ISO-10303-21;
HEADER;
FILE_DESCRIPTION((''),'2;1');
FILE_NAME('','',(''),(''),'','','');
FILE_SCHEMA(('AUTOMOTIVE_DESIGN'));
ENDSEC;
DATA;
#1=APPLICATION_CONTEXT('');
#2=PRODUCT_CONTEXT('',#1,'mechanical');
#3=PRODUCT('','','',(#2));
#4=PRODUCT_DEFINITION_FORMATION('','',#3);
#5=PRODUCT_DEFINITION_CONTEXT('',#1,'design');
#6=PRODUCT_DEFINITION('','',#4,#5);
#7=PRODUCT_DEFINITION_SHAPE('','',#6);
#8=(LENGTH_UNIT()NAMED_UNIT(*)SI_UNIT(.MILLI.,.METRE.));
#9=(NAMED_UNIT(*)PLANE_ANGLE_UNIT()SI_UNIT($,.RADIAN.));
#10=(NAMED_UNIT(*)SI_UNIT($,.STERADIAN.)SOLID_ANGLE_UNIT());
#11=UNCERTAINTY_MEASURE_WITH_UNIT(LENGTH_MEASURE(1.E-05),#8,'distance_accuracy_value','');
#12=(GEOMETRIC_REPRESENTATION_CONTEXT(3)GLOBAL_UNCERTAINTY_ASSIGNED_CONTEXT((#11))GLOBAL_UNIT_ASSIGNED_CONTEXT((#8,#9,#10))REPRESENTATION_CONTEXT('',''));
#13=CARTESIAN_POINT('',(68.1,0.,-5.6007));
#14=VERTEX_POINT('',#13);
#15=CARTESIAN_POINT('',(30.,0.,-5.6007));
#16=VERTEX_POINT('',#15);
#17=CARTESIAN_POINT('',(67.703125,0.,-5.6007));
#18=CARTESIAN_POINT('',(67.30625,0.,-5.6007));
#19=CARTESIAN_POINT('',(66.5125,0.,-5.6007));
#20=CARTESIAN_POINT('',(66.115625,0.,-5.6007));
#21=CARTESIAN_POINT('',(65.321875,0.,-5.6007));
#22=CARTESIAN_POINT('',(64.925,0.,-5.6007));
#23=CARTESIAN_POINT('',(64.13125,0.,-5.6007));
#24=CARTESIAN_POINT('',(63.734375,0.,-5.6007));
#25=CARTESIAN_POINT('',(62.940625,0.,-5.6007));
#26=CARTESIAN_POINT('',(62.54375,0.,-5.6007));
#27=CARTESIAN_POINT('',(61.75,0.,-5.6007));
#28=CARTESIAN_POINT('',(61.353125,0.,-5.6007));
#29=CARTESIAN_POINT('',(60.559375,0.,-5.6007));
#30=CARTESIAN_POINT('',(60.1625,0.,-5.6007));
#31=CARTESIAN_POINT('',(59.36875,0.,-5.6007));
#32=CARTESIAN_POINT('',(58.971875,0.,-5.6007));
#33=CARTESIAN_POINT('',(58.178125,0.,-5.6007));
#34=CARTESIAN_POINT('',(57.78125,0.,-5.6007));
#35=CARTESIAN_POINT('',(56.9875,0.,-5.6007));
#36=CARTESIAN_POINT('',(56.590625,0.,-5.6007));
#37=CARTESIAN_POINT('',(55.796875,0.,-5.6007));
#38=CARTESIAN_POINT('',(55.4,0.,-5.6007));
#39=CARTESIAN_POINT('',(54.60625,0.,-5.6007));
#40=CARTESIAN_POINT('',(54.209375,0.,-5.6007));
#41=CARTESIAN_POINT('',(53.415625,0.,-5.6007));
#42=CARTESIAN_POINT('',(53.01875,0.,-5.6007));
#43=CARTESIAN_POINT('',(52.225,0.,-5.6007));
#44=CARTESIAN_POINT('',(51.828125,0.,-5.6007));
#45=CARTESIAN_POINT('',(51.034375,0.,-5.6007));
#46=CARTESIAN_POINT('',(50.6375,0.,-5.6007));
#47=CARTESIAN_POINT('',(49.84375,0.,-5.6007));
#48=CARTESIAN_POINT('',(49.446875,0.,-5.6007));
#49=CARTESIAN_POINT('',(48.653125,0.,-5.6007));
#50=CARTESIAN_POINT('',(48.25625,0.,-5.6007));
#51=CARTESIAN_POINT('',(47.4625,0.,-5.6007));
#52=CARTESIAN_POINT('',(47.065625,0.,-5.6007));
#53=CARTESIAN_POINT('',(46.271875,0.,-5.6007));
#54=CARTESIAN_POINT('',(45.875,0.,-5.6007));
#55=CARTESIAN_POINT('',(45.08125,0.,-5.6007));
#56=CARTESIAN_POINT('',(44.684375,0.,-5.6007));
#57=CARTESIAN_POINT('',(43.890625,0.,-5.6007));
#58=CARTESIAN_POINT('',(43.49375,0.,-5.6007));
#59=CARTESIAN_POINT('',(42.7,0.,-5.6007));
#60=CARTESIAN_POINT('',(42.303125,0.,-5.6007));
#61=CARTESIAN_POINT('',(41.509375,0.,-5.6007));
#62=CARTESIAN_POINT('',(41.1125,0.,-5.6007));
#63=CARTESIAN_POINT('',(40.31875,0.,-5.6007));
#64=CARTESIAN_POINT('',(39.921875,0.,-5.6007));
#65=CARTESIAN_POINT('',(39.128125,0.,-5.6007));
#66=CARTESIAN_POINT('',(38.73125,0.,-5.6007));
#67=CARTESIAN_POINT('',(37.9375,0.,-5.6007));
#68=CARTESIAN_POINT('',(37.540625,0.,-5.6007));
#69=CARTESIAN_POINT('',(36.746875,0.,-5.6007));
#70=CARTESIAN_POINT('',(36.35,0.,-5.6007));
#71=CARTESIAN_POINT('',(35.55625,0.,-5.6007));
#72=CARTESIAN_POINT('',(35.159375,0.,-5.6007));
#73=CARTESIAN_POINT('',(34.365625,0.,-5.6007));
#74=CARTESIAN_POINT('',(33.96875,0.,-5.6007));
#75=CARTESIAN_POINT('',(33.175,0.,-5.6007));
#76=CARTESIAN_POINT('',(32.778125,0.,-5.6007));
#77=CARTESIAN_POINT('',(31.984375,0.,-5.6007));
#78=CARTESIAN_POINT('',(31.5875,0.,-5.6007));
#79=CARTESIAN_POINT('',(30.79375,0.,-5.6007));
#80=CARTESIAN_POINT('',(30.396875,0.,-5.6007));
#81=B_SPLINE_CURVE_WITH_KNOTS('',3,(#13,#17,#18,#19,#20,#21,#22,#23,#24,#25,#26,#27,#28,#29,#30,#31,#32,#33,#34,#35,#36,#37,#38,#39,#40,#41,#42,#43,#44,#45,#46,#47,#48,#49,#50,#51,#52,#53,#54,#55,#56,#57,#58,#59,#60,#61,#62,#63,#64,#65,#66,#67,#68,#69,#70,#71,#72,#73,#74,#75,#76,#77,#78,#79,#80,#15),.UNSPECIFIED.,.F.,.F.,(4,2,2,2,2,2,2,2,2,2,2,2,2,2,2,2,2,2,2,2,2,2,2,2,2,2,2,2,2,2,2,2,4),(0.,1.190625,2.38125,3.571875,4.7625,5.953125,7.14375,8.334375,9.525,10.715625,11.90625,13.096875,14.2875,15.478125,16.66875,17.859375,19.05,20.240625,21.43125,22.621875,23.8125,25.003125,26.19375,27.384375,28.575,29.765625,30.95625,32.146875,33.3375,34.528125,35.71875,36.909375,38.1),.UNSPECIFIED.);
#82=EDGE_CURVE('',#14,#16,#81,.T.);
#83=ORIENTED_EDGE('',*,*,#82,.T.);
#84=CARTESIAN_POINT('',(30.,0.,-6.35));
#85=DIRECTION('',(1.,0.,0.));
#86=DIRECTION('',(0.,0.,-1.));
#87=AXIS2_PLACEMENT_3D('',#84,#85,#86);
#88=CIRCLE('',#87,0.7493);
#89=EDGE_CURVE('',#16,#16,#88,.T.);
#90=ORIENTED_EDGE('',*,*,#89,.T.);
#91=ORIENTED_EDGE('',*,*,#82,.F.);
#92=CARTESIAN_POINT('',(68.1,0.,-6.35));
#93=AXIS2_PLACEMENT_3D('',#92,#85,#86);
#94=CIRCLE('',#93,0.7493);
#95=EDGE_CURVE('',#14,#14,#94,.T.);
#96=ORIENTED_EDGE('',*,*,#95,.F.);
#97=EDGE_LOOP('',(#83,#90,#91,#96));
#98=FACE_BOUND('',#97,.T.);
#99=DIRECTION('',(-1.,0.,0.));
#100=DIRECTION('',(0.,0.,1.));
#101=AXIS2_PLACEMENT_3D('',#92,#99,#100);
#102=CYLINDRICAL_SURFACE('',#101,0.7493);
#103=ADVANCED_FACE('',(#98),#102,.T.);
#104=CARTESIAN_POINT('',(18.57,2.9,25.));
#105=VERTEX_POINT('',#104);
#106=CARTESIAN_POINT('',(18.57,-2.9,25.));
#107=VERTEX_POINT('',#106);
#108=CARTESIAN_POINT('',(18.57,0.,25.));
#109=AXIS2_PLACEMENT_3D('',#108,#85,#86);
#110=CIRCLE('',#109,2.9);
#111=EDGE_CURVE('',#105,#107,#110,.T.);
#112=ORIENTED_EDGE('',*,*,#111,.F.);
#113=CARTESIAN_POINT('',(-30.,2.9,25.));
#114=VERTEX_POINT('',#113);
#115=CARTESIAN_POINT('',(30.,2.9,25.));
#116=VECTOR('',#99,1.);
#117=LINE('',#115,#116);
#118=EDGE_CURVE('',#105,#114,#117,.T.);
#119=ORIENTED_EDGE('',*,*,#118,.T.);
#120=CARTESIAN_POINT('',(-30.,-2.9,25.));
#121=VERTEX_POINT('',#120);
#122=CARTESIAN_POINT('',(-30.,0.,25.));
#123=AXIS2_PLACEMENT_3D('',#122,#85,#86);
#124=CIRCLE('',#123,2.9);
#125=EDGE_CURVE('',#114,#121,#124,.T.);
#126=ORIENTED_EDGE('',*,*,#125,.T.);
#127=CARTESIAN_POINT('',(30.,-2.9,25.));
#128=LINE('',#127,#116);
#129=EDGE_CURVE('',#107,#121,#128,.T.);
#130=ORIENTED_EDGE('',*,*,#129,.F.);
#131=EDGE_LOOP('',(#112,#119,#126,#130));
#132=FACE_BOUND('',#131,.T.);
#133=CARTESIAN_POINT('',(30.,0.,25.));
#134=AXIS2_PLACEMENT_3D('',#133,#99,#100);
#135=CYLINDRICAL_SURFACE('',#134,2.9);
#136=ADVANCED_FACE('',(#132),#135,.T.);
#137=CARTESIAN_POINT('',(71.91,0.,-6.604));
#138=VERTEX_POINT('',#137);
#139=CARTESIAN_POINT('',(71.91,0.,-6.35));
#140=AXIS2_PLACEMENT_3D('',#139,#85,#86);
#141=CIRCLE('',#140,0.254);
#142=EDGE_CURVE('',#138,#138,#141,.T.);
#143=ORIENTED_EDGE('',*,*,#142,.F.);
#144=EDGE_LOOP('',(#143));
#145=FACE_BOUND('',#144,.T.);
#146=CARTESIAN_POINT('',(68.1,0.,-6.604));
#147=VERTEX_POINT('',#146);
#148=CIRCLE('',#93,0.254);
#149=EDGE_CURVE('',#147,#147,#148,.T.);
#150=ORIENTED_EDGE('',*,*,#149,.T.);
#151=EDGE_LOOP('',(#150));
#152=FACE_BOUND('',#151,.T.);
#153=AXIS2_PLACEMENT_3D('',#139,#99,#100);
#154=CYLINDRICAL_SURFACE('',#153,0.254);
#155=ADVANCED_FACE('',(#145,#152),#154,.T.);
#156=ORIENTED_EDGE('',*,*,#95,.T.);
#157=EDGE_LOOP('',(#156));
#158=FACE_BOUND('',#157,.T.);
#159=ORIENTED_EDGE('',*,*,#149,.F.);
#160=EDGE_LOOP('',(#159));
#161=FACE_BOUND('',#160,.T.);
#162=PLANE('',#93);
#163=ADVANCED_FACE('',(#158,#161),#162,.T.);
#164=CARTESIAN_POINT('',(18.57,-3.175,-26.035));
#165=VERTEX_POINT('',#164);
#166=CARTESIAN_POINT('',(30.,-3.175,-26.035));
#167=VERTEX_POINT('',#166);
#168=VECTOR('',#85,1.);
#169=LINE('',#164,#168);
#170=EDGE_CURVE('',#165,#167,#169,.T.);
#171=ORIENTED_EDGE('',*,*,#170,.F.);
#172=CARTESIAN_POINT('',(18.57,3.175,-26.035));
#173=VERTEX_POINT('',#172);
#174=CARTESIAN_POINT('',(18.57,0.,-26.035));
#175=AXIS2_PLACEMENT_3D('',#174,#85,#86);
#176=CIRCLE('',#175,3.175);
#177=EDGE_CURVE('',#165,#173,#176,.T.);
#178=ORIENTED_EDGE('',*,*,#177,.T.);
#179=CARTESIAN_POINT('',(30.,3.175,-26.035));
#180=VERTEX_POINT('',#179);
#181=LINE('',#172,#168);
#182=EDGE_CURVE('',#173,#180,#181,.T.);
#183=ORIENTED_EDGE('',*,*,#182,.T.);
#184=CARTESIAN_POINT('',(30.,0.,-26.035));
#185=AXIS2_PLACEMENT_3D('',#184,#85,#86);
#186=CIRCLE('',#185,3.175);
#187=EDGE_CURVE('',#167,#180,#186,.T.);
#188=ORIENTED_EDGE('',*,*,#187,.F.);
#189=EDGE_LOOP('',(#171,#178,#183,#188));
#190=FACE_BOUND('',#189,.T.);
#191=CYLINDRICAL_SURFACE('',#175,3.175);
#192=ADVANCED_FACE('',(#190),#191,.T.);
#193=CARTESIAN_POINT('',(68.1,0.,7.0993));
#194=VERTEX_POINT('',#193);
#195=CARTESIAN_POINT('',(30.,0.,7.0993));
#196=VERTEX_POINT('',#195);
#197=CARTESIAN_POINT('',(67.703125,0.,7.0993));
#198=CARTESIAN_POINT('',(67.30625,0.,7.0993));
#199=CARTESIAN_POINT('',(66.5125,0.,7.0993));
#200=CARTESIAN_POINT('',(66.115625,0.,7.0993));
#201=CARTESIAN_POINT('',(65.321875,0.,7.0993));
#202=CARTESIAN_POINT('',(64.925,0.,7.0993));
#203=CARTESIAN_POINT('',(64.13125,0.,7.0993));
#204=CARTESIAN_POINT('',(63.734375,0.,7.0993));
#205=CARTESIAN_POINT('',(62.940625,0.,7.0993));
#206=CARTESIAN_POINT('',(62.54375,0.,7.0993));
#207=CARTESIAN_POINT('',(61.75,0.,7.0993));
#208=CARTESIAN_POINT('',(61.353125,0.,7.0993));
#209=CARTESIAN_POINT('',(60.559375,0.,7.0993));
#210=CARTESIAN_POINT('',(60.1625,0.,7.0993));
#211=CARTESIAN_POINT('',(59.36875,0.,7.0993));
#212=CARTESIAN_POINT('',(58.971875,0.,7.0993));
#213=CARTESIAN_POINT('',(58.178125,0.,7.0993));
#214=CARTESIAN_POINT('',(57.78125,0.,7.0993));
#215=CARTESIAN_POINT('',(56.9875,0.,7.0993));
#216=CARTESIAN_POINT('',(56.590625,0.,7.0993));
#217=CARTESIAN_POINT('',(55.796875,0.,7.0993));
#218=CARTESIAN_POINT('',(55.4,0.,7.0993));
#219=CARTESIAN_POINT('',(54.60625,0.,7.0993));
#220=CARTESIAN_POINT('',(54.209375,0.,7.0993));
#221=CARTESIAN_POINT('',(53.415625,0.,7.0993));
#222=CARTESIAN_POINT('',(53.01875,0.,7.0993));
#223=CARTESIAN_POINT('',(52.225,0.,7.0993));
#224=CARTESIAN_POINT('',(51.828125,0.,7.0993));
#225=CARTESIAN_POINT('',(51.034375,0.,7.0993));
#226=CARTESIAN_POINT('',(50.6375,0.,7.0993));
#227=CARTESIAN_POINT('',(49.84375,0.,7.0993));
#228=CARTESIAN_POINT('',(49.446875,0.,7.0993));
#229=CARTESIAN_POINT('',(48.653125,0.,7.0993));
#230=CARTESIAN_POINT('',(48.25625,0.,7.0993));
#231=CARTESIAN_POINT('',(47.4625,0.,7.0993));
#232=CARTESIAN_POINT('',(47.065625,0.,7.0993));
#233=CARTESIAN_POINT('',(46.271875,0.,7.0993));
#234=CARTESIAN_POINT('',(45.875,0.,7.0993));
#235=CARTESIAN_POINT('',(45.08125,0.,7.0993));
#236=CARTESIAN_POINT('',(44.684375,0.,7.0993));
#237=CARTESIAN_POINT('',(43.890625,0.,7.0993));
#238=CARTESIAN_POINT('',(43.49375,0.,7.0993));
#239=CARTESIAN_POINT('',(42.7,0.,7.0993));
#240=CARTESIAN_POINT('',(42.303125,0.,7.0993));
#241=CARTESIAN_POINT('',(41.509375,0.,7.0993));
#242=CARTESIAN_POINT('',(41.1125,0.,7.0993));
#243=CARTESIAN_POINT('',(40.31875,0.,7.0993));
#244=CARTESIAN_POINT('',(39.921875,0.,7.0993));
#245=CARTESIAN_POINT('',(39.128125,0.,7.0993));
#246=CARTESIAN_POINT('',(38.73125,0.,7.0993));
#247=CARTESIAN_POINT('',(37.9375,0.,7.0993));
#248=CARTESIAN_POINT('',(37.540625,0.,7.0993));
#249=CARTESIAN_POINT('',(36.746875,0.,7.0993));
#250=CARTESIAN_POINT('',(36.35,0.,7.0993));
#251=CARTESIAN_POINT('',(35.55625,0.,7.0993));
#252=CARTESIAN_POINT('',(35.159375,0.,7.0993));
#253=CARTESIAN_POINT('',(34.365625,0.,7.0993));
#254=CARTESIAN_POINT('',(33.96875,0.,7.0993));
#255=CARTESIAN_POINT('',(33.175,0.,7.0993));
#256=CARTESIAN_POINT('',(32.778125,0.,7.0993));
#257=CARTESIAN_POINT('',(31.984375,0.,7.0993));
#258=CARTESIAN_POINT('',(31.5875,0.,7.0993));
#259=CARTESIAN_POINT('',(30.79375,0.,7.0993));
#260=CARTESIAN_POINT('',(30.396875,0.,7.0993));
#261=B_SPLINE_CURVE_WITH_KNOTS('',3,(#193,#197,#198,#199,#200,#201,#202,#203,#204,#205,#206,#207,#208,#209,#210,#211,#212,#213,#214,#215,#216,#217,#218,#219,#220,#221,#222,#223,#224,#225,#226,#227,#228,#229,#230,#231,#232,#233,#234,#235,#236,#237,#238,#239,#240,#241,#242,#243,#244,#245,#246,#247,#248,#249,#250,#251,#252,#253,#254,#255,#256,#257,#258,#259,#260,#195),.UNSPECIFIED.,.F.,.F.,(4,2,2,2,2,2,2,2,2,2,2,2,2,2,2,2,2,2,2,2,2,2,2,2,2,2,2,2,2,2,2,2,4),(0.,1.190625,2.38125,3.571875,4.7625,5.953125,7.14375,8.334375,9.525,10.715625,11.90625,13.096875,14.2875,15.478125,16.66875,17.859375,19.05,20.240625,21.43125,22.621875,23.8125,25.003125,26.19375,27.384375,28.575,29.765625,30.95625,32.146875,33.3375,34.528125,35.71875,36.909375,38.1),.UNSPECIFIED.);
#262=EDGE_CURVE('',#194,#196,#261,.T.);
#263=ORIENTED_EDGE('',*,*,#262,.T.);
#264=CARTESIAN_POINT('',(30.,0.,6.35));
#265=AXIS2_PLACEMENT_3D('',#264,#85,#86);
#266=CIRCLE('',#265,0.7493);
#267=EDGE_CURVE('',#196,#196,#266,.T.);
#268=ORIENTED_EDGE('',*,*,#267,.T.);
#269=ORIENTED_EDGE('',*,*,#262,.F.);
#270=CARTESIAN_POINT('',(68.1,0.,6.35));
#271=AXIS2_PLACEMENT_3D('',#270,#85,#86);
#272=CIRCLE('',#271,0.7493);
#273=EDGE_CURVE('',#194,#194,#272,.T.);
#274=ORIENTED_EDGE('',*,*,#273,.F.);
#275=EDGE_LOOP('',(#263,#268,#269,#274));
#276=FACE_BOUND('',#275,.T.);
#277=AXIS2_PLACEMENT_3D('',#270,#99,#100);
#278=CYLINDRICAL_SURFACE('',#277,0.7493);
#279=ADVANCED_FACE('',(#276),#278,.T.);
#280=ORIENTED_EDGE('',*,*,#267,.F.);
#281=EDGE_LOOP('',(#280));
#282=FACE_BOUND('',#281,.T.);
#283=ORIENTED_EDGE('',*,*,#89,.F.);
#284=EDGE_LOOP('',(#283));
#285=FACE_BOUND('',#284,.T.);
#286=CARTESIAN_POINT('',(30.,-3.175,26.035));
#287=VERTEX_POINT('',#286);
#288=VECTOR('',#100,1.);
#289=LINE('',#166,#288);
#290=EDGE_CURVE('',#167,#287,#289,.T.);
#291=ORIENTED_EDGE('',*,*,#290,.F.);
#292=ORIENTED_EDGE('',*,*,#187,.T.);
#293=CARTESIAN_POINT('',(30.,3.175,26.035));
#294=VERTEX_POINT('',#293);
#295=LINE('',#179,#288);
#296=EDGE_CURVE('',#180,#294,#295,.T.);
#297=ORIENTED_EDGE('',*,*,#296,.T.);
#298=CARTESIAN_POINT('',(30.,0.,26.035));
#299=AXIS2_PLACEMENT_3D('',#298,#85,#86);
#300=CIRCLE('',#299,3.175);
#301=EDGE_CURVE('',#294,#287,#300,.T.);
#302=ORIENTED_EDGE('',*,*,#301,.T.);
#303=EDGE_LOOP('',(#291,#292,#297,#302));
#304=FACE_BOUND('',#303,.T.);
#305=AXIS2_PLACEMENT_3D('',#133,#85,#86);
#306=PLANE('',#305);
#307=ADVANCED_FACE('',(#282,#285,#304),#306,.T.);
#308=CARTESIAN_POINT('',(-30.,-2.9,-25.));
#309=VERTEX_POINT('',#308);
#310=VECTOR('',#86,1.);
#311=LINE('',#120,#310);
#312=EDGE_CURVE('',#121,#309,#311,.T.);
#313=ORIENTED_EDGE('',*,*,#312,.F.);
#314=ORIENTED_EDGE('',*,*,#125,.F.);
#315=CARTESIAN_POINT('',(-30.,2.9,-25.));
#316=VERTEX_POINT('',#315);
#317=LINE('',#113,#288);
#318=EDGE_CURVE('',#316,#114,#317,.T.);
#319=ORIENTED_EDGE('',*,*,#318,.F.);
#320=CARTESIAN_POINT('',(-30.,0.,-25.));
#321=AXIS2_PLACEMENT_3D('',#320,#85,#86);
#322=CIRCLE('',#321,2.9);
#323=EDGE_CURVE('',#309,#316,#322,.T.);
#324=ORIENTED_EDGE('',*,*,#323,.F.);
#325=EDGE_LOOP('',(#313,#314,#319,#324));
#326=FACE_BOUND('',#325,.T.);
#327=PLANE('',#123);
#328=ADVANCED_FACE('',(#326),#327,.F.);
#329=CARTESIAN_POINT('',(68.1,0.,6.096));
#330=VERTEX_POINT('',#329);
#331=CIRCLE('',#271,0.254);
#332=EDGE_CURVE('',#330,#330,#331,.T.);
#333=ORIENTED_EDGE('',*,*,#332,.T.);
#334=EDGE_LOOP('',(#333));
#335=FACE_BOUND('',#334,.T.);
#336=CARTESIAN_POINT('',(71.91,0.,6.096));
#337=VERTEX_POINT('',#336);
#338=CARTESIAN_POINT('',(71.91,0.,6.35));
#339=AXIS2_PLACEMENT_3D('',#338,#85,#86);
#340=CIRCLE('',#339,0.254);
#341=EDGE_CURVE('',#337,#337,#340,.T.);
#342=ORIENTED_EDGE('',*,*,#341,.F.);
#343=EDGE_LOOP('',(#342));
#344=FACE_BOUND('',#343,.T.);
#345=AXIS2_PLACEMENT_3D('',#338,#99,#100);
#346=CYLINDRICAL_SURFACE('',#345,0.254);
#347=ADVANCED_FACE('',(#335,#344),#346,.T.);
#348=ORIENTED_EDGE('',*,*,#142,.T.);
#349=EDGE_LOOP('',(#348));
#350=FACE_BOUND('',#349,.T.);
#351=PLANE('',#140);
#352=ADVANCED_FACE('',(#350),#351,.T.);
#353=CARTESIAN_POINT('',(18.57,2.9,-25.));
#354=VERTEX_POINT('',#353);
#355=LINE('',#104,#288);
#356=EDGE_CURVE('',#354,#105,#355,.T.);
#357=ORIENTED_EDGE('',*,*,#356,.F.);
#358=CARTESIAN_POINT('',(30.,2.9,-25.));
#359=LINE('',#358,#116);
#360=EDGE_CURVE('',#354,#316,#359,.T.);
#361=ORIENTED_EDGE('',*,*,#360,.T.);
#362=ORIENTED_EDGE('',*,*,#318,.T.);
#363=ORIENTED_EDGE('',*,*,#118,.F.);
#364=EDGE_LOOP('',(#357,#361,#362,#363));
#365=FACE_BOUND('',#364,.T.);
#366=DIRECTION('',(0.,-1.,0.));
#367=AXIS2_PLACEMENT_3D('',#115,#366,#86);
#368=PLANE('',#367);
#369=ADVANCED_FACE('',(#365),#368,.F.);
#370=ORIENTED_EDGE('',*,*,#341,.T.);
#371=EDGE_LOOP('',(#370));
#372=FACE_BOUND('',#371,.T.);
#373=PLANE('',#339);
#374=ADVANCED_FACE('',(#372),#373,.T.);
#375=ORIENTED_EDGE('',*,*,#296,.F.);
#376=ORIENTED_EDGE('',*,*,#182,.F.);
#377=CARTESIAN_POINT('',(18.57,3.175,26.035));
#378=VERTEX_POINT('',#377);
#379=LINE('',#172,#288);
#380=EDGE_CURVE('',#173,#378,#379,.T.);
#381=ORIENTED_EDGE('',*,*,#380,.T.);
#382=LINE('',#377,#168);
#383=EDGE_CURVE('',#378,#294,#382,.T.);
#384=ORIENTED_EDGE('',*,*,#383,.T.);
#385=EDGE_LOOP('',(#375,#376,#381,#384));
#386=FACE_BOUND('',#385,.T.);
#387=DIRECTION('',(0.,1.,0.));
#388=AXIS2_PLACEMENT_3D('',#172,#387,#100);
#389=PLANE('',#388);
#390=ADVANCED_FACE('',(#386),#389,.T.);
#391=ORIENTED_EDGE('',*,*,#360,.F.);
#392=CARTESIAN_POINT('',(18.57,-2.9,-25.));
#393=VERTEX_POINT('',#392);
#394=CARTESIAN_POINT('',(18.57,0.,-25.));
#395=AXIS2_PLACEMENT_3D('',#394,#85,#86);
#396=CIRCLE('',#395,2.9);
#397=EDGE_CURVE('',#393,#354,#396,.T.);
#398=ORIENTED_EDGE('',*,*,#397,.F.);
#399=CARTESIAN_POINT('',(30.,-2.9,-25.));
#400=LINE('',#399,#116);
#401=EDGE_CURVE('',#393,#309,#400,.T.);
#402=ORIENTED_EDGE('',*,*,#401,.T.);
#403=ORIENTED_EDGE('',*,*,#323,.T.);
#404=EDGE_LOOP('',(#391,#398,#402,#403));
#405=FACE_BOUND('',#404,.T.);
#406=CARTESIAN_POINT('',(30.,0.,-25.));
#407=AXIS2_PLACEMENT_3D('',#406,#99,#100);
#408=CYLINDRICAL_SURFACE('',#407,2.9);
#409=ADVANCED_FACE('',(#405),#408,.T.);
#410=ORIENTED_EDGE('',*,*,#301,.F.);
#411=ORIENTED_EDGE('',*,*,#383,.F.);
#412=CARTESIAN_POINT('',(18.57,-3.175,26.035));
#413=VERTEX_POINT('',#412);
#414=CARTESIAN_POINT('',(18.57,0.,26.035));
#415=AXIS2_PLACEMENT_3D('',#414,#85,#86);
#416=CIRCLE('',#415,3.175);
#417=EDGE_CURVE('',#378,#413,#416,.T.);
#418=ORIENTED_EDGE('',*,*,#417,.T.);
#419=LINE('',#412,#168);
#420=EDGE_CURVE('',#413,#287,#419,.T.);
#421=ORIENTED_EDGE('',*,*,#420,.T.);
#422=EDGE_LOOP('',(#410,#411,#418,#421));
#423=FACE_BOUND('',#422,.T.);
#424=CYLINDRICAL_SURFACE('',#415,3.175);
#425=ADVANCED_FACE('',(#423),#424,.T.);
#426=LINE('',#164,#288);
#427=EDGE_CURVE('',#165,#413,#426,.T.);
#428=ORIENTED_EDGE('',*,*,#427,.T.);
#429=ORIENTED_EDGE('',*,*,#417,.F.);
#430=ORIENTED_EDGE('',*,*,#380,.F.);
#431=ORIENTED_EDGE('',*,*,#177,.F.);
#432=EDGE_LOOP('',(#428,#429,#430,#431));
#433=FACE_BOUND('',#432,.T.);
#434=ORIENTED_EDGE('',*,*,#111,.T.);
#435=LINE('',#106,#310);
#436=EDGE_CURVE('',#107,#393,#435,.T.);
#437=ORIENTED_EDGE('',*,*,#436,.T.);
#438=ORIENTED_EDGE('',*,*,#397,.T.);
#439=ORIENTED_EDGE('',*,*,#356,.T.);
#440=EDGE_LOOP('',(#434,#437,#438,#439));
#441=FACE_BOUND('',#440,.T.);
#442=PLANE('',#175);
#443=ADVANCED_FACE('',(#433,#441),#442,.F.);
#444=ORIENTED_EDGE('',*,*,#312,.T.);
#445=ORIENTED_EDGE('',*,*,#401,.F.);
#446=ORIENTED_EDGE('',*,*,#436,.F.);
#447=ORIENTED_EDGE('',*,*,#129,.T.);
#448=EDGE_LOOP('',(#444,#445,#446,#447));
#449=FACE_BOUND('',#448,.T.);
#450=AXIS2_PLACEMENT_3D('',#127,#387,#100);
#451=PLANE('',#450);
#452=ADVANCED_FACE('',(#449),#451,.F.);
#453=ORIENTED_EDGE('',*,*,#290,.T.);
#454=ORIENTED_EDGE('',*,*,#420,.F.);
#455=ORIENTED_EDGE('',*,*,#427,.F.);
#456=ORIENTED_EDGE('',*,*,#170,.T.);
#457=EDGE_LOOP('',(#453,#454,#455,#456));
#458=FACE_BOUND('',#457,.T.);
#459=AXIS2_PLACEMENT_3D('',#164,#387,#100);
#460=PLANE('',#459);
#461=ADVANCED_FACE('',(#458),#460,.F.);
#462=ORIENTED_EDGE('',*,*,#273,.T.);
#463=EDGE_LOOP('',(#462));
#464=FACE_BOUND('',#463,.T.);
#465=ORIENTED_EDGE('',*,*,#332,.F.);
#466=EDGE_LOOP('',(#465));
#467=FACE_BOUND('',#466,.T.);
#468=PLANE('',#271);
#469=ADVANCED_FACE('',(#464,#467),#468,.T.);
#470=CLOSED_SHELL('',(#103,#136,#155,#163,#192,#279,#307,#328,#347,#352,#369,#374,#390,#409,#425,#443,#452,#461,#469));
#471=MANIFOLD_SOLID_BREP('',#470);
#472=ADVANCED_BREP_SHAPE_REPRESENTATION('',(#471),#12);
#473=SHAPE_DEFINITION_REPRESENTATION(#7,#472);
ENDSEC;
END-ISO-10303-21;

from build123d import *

# Parameters (mm, degrees)
BOSS_EXTRUDE1_DEPTH = 30
SKETCH2_R           = 0.7493
BOSS_EXTRUDE2_DEPTH = 38.1
SKETCH3_R           = 0.254
BOSS_EXTRUDE3_DEPTH = 3.81
SKETCH5_R           = 0.254
BOSS_EXTRUDE4_DEPTH = 3.81
BOSS_EXTRUDE6_DEPTH = 11.43


with BuildPart() as part:
    # Sketch1 → Boss-Extrude1 (new, symmetric)
    with BuildSketch(Plane(origin=(0, 0, 0), x_dir=(0, 0, -1), z_dir=(1, 0, 0))):
        with BuildLine():
            Line((-25, 2.9), (25, 2.9))
            ThreePointArc((25, 2.9), (27.9, 0), (25, -2.9))
            Line((25, -2.9), (-25, -2.9))
            ThreePointArc((-25, -2.9), (-27.9, 0), (-25, 2.9))
        make_face()
    extrude(amount=BOSS_EXTRUDE1_DEPTH, both=True)

    # Sketch2 → Boss-Extrude2 (add)
    with BuildSketch(Plane(origin=(30, 0, 0), x_dir=(0, 0, -1), z_dir=(1, 0, 0))):
        with Locations(Location((-6.35, 0, 0), (0, 0, 180))):
            Circle(SKETCH2_R)
        with Locations(Location((6.35, 0, 0), (0, 0, 180))):
            Circle(SKETCH2_R)
    extrude(amount=BOSS_EXTRUDE2_DEPTH)

    # Sketch3 → Boss-Extrude3 (add)
    with BuildSketch(Plane(origin=(68.1, 0, 0), x_dir=(0, 0, -1), z_dir=(1, 0, 0))):
        with Locations((-6.35, 0)):
            Circle(SKETCH3_R)
    extrude(amount=BOSS_EXTRUDE3_DEPTH)

    # Sketch5 → Boss-Extrude4 (add)
    with BuildSketch(Plane(origin=(68.1, 0, 0), x_dir=(0, 0, -1), z_dir=(1, 0, 0))):
        with Locations((6.35, 0)):
            Circle(SKETCH5_R)
    extrude(amount=BOSS_EXTRUDE4_DEPTH)

    # Sketch6 → Boss-Extrude6 (add)
    with BuildSketch(Plane(origin=(30, 0, 0), x_dir=(0, 0, -1), z_dir=(1, 0, 0))):
        with BuildLine():
            Line((26.035, -3.175), (-26.035, -3.175))
            ThreePointArc((-26.035, -3.175), (-29.21, 0), (-26.035, 3.175))
            Line((-26.035, 3.175), (26.035, 3.175))
            ThreePointArc((26.035, 3.175), (29.21, 0), (26.035, -3.175))
        make_face()
    extrude(amount=-BOSS_EXTRUDE6_DEPTH)


solid = part.part
